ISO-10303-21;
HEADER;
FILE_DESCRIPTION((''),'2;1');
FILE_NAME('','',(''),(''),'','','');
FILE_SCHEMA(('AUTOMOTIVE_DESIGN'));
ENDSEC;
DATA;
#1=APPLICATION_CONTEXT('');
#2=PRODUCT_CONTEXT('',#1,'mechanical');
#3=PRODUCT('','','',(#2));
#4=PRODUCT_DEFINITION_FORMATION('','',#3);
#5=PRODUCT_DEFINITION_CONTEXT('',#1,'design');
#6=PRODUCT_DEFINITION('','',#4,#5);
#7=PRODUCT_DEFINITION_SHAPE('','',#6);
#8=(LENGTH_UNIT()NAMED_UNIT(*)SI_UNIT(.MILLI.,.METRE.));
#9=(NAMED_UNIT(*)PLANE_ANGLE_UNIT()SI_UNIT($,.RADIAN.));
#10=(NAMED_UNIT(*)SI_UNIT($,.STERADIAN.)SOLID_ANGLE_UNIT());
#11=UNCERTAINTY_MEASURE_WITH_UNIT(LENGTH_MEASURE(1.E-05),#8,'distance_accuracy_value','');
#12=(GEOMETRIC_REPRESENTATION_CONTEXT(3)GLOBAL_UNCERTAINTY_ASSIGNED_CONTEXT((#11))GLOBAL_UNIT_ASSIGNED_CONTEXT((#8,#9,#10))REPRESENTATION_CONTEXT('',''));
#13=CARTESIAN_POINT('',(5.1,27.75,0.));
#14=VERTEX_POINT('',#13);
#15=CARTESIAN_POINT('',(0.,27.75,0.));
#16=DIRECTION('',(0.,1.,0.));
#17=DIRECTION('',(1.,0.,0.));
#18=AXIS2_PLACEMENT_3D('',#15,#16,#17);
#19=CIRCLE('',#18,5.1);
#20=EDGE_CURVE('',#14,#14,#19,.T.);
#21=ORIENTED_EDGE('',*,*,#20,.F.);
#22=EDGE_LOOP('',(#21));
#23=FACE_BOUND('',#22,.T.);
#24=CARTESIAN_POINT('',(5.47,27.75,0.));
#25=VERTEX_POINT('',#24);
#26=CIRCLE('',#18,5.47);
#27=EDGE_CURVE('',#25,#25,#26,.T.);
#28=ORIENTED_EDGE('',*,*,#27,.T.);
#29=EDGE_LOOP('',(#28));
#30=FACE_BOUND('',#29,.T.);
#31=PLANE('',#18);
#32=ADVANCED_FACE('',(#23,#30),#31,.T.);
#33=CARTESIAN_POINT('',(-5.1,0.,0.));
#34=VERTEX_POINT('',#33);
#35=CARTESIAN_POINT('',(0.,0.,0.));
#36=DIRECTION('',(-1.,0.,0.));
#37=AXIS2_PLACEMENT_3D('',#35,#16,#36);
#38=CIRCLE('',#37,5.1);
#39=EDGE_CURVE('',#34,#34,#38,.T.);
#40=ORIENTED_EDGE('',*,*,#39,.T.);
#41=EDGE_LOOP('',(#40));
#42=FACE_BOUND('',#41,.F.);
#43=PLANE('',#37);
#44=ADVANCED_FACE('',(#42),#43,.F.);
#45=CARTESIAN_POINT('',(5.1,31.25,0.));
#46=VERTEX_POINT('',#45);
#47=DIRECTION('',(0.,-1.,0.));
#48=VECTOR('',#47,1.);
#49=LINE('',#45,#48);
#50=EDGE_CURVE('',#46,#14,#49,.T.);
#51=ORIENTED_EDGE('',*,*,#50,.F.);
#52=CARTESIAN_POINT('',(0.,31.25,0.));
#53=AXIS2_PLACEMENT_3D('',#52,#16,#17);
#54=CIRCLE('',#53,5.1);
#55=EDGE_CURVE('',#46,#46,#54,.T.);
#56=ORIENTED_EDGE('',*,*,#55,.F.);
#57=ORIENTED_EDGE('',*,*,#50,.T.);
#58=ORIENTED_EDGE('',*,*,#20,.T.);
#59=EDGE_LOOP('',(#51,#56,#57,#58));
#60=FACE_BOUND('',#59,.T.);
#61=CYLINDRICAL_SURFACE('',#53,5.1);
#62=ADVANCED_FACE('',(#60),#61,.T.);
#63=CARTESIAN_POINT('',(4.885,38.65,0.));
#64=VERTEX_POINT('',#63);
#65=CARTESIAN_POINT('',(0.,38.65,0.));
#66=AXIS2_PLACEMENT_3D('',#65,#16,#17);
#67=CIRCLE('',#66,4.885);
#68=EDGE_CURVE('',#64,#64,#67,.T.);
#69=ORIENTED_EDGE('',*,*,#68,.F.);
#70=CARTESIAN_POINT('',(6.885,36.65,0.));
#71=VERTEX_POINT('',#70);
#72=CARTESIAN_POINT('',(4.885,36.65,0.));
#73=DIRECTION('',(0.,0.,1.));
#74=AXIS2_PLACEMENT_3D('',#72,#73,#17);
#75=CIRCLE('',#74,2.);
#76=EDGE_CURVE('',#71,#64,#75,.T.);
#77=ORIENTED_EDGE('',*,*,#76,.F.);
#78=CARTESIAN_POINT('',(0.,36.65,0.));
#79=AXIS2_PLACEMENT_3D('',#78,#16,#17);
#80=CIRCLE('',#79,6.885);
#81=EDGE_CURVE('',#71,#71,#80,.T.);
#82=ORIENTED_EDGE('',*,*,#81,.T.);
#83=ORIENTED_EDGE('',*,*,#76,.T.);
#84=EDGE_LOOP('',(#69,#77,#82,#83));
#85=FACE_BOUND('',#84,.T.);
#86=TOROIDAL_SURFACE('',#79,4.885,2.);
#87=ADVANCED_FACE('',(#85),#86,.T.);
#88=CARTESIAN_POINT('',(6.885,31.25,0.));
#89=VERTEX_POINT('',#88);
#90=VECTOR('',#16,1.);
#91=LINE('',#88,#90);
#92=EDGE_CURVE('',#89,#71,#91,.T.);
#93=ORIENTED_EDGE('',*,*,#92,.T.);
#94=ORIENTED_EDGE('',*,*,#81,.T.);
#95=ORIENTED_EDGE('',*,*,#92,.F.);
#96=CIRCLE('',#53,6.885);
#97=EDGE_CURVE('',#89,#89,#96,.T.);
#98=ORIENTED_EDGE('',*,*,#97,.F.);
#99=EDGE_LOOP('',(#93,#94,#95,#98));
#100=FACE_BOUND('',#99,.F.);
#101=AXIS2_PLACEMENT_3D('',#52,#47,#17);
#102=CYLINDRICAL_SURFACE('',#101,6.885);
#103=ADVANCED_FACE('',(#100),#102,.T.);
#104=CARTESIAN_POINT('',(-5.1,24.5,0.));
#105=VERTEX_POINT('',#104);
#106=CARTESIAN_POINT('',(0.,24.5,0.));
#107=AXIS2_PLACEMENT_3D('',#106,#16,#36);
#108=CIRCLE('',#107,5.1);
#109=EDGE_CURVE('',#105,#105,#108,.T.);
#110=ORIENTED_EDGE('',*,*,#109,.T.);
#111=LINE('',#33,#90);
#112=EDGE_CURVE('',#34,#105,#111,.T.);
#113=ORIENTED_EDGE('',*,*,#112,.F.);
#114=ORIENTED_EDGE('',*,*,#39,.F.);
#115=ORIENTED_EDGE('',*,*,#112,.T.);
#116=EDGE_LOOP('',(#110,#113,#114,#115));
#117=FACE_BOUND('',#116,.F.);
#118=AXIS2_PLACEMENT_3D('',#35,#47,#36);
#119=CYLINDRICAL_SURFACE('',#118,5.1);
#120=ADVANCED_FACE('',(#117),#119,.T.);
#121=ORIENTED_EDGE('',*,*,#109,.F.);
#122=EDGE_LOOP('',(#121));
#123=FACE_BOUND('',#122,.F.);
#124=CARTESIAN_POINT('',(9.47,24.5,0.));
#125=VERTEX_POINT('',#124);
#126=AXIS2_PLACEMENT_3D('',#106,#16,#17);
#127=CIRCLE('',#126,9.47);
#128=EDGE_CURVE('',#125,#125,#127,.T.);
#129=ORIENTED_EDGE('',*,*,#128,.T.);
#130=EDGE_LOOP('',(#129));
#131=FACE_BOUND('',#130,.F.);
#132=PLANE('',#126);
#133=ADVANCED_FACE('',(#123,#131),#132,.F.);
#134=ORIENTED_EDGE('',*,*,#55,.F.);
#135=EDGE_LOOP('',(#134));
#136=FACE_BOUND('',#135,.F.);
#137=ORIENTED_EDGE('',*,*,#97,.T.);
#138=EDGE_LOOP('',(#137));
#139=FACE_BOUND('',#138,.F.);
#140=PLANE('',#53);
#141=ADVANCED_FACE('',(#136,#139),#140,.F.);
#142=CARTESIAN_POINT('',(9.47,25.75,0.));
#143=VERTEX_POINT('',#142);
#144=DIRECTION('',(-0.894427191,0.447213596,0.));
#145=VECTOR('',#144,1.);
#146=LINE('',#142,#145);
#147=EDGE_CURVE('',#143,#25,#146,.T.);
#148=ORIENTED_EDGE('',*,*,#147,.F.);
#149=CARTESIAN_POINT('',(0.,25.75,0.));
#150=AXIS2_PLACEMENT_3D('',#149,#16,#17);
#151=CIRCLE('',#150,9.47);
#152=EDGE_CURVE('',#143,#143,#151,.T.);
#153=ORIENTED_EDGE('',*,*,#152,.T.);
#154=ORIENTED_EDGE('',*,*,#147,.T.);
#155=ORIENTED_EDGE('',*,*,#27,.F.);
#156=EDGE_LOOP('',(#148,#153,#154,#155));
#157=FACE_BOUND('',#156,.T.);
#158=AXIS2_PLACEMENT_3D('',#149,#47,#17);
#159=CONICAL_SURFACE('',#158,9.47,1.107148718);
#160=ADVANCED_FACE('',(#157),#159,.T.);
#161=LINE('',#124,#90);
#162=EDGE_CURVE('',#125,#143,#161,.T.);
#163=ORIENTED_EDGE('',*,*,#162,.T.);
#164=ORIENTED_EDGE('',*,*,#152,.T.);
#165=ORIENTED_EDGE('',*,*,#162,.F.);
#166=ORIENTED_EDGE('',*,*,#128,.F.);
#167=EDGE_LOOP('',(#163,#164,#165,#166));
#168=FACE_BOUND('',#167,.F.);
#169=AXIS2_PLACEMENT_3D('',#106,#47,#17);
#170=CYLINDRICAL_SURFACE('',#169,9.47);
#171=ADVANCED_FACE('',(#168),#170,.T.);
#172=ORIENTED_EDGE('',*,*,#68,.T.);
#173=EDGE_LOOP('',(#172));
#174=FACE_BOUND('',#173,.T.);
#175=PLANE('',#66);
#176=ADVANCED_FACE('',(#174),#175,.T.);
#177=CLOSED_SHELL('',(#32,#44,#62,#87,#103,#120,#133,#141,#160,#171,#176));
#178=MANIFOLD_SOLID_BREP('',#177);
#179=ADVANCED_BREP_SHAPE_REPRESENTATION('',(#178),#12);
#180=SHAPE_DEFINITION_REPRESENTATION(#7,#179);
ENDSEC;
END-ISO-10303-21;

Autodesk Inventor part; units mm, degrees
ref_plane "YZ Plane" through (0, 0, 0) normal (1, 0, 0) x (0, 1, 0)
ref_plane "XZ Plane" through (0, 0, 0) normal (0, 1, 0) x (-1, 0, 0)
ref_plane "XY Plane" through (0, 0, 0) normal (0, 0, 1) x (1, 0, 0)
sketch "スケッチ1" plane through (0, 0, 0) normal (0, 1, 0) x (-1, 0, 0)
  circle A0 centre (0, 0) radius 5.1
  dimension "d0" = 10.2
extrude "押し出し1" add sketch "スケッチ1" along normal blind 24.5
sketch "スケッチ2" plane through (0, 24.5, 0) normal (0, 1, 0) x (1, 0, 0)
  circle A0 centre (0, 0) radius 9.47
  dimension "d3" = 18.94
extrude "押し出し2" add sketch "スケッチ2" along normal blind 6.75
sketch "スケッチ3" plane through (0, 31.25, 0) normal (0, 1, 0) x (1, 0, 0)
  circle A0 centre (0, 0) radius 6.885
  dimension "d6" = 13.77
extrude "押し出し3" add sketch "スケッチ3" along normal blind 7.4
sketch "スケッチ4" plane through (0, 31.25, 0) normal (0, 1, 0) x (1, 0, 0)
  circle A0 centre (0, 0) radius 9.47 projected
  circle A1 centre (0, 0) radius 5.1
  dimension "d9" = 10.2
extrude "押し出し4" cut sketch "スケッチ4" against normal blind 3.5
chamfer "面取り1" distance 2 distance2 4 1 edges at (-9.47, 27.75, 0) measured on face at (9.4393, 26.6667, 0.762)
fillet "フィレット1" radius 2 1 edges at (-6.885, 38.65, 0)
properties part number "pannel_push_sw._redipt"
